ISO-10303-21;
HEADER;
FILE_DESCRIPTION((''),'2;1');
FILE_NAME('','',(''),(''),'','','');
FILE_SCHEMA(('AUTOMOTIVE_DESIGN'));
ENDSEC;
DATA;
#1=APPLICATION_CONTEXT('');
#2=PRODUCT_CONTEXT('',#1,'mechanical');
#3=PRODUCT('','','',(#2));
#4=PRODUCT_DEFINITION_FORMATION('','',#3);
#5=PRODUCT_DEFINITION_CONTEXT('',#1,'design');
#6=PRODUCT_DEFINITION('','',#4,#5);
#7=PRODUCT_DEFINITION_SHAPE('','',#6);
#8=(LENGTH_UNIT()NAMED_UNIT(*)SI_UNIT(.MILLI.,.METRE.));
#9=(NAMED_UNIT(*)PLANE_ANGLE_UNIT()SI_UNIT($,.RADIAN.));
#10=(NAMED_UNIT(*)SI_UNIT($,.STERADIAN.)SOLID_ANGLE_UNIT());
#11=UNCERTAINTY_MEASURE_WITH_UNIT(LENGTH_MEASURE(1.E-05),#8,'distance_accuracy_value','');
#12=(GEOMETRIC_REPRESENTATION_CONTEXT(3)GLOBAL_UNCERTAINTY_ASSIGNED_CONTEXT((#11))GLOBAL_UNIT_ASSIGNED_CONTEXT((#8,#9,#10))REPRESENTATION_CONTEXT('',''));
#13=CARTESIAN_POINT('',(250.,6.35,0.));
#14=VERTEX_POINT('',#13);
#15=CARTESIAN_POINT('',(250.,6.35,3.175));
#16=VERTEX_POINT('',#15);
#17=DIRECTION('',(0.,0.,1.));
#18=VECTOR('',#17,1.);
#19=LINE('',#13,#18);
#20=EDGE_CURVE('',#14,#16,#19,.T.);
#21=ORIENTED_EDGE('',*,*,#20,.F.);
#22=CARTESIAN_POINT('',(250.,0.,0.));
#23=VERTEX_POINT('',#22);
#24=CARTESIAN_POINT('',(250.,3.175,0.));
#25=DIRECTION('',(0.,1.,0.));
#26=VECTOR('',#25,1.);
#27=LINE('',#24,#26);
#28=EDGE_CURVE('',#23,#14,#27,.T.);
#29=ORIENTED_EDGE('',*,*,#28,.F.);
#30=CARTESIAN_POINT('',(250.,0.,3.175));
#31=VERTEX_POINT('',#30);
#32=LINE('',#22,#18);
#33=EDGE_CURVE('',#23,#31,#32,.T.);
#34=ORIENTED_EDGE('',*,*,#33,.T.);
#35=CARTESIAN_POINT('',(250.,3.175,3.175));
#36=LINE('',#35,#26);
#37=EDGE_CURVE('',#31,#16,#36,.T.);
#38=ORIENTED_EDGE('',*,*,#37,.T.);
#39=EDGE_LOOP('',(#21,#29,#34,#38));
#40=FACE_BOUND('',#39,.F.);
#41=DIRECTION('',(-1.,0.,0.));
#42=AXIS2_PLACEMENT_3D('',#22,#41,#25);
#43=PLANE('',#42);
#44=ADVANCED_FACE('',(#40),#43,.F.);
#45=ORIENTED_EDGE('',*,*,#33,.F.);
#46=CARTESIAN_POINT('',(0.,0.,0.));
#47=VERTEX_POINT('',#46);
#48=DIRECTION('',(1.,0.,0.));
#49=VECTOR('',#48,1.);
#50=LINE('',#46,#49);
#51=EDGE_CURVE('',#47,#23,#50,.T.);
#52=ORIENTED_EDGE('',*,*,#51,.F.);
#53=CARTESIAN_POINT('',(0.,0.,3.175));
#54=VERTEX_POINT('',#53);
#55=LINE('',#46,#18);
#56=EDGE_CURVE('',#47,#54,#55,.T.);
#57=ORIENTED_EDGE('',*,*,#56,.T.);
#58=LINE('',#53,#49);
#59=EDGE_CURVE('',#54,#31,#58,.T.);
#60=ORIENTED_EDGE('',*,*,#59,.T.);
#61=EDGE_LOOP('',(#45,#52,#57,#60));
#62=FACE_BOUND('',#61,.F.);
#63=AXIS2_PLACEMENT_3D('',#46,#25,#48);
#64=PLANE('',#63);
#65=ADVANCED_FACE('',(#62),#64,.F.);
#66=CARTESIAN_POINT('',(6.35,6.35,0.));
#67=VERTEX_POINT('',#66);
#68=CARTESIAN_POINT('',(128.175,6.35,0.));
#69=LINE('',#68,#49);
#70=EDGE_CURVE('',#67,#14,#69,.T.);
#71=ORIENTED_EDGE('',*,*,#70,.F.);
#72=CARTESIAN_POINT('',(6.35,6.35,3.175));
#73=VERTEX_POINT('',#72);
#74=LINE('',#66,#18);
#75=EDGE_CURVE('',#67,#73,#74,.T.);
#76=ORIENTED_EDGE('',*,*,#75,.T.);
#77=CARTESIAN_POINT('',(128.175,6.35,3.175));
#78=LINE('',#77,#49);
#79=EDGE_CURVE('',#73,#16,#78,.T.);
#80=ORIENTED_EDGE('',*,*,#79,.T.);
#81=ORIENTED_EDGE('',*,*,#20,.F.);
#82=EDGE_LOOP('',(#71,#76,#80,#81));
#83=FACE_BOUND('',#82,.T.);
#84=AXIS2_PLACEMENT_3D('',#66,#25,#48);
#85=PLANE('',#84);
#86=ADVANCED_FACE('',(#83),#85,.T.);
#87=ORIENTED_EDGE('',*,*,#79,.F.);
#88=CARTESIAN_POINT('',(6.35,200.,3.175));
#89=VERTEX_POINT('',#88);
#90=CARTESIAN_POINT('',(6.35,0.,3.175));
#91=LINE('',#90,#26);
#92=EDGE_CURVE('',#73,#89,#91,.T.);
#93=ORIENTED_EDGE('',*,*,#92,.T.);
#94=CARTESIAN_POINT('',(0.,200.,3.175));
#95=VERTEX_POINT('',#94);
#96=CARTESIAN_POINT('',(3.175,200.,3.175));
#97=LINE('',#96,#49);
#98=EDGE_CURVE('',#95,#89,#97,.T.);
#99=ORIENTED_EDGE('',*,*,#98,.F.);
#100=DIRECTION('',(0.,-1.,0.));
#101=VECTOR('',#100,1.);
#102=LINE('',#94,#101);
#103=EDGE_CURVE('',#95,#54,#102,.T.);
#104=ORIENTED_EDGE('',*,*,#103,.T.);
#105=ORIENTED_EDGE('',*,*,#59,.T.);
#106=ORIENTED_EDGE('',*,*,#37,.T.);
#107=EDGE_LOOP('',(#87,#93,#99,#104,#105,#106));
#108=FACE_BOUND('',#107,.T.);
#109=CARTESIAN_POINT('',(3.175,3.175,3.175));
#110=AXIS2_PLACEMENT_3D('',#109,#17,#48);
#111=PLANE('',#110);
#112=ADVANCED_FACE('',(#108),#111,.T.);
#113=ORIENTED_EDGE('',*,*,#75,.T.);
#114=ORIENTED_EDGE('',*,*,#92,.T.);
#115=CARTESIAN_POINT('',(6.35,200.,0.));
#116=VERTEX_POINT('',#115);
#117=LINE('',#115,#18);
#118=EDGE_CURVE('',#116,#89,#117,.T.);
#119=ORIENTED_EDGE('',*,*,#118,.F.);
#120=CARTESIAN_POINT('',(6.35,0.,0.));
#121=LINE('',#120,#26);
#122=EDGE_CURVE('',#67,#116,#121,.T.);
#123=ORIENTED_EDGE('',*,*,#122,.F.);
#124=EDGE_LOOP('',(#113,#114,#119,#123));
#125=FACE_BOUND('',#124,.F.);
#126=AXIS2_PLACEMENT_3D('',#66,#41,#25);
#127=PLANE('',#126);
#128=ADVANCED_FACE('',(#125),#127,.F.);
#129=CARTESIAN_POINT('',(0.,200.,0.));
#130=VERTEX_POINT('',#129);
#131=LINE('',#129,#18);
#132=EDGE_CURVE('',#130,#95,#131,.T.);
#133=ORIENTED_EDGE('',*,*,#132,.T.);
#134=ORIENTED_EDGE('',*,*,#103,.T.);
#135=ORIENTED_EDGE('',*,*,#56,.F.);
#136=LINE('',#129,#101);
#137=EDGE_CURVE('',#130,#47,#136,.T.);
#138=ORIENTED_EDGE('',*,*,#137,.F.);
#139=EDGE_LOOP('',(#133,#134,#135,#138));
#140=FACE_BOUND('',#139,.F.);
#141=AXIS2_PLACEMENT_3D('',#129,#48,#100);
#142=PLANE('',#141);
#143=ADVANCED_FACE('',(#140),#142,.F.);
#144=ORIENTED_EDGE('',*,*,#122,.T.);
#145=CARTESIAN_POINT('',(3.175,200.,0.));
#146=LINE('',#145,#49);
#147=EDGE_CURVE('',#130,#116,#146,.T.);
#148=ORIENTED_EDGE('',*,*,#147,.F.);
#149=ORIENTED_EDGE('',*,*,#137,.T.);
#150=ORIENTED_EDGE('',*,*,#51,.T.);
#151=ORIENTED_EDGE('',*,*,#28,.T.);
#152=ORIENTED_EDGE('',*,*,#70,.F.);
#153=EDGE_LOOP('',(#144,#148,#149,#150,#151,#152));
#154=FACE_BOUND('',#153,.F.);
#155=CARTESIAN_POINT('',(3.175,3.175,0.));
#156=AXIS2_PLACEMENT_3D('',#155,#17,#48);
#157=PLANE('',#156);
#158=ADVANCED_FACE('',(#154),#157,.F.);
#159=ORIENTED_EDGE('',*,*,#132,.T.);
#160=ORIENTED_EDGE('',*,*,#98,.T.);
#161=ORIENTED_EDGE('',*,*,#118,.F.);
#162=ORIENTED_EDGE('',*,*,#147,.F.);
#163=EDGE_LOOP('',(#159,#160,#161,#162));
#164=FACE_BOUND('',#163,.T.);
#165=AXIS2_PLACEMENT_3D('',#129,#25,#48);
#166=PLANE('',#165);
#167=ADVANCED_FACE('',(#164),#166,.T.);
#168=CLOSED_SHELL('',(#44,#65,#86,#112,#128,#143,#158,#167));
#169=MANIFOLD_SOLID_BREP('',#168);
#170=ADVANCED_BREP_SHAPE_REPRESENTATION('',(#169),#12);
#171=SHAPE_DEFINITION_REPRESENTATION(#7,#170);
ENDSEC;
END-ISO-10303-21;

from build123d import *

# Parameters (mm, degrees)
F0_W     = 6.35
F0_H     = 6.35
F0_H_2   = 193.65
F0_W_2   = 243.65
F1_DEPTH = 3.175


with BuildPart() as f1:
    # F0 (on Top) → F1 (new body)
    with BuildSketch(Plane.XY):
        with Locations((3.175, 3.175)):
            Rectangle(F0_W, F0_H)
        with Locations((3.175, 103.175)):
            Rectangle(F0_W, F0_H_2)
        with Locations((128.175, 3.175)):
            Rectangle(F0_W_2, F0_H)
    extrude(amount=F1_DEPTH)


solid = f1.part
